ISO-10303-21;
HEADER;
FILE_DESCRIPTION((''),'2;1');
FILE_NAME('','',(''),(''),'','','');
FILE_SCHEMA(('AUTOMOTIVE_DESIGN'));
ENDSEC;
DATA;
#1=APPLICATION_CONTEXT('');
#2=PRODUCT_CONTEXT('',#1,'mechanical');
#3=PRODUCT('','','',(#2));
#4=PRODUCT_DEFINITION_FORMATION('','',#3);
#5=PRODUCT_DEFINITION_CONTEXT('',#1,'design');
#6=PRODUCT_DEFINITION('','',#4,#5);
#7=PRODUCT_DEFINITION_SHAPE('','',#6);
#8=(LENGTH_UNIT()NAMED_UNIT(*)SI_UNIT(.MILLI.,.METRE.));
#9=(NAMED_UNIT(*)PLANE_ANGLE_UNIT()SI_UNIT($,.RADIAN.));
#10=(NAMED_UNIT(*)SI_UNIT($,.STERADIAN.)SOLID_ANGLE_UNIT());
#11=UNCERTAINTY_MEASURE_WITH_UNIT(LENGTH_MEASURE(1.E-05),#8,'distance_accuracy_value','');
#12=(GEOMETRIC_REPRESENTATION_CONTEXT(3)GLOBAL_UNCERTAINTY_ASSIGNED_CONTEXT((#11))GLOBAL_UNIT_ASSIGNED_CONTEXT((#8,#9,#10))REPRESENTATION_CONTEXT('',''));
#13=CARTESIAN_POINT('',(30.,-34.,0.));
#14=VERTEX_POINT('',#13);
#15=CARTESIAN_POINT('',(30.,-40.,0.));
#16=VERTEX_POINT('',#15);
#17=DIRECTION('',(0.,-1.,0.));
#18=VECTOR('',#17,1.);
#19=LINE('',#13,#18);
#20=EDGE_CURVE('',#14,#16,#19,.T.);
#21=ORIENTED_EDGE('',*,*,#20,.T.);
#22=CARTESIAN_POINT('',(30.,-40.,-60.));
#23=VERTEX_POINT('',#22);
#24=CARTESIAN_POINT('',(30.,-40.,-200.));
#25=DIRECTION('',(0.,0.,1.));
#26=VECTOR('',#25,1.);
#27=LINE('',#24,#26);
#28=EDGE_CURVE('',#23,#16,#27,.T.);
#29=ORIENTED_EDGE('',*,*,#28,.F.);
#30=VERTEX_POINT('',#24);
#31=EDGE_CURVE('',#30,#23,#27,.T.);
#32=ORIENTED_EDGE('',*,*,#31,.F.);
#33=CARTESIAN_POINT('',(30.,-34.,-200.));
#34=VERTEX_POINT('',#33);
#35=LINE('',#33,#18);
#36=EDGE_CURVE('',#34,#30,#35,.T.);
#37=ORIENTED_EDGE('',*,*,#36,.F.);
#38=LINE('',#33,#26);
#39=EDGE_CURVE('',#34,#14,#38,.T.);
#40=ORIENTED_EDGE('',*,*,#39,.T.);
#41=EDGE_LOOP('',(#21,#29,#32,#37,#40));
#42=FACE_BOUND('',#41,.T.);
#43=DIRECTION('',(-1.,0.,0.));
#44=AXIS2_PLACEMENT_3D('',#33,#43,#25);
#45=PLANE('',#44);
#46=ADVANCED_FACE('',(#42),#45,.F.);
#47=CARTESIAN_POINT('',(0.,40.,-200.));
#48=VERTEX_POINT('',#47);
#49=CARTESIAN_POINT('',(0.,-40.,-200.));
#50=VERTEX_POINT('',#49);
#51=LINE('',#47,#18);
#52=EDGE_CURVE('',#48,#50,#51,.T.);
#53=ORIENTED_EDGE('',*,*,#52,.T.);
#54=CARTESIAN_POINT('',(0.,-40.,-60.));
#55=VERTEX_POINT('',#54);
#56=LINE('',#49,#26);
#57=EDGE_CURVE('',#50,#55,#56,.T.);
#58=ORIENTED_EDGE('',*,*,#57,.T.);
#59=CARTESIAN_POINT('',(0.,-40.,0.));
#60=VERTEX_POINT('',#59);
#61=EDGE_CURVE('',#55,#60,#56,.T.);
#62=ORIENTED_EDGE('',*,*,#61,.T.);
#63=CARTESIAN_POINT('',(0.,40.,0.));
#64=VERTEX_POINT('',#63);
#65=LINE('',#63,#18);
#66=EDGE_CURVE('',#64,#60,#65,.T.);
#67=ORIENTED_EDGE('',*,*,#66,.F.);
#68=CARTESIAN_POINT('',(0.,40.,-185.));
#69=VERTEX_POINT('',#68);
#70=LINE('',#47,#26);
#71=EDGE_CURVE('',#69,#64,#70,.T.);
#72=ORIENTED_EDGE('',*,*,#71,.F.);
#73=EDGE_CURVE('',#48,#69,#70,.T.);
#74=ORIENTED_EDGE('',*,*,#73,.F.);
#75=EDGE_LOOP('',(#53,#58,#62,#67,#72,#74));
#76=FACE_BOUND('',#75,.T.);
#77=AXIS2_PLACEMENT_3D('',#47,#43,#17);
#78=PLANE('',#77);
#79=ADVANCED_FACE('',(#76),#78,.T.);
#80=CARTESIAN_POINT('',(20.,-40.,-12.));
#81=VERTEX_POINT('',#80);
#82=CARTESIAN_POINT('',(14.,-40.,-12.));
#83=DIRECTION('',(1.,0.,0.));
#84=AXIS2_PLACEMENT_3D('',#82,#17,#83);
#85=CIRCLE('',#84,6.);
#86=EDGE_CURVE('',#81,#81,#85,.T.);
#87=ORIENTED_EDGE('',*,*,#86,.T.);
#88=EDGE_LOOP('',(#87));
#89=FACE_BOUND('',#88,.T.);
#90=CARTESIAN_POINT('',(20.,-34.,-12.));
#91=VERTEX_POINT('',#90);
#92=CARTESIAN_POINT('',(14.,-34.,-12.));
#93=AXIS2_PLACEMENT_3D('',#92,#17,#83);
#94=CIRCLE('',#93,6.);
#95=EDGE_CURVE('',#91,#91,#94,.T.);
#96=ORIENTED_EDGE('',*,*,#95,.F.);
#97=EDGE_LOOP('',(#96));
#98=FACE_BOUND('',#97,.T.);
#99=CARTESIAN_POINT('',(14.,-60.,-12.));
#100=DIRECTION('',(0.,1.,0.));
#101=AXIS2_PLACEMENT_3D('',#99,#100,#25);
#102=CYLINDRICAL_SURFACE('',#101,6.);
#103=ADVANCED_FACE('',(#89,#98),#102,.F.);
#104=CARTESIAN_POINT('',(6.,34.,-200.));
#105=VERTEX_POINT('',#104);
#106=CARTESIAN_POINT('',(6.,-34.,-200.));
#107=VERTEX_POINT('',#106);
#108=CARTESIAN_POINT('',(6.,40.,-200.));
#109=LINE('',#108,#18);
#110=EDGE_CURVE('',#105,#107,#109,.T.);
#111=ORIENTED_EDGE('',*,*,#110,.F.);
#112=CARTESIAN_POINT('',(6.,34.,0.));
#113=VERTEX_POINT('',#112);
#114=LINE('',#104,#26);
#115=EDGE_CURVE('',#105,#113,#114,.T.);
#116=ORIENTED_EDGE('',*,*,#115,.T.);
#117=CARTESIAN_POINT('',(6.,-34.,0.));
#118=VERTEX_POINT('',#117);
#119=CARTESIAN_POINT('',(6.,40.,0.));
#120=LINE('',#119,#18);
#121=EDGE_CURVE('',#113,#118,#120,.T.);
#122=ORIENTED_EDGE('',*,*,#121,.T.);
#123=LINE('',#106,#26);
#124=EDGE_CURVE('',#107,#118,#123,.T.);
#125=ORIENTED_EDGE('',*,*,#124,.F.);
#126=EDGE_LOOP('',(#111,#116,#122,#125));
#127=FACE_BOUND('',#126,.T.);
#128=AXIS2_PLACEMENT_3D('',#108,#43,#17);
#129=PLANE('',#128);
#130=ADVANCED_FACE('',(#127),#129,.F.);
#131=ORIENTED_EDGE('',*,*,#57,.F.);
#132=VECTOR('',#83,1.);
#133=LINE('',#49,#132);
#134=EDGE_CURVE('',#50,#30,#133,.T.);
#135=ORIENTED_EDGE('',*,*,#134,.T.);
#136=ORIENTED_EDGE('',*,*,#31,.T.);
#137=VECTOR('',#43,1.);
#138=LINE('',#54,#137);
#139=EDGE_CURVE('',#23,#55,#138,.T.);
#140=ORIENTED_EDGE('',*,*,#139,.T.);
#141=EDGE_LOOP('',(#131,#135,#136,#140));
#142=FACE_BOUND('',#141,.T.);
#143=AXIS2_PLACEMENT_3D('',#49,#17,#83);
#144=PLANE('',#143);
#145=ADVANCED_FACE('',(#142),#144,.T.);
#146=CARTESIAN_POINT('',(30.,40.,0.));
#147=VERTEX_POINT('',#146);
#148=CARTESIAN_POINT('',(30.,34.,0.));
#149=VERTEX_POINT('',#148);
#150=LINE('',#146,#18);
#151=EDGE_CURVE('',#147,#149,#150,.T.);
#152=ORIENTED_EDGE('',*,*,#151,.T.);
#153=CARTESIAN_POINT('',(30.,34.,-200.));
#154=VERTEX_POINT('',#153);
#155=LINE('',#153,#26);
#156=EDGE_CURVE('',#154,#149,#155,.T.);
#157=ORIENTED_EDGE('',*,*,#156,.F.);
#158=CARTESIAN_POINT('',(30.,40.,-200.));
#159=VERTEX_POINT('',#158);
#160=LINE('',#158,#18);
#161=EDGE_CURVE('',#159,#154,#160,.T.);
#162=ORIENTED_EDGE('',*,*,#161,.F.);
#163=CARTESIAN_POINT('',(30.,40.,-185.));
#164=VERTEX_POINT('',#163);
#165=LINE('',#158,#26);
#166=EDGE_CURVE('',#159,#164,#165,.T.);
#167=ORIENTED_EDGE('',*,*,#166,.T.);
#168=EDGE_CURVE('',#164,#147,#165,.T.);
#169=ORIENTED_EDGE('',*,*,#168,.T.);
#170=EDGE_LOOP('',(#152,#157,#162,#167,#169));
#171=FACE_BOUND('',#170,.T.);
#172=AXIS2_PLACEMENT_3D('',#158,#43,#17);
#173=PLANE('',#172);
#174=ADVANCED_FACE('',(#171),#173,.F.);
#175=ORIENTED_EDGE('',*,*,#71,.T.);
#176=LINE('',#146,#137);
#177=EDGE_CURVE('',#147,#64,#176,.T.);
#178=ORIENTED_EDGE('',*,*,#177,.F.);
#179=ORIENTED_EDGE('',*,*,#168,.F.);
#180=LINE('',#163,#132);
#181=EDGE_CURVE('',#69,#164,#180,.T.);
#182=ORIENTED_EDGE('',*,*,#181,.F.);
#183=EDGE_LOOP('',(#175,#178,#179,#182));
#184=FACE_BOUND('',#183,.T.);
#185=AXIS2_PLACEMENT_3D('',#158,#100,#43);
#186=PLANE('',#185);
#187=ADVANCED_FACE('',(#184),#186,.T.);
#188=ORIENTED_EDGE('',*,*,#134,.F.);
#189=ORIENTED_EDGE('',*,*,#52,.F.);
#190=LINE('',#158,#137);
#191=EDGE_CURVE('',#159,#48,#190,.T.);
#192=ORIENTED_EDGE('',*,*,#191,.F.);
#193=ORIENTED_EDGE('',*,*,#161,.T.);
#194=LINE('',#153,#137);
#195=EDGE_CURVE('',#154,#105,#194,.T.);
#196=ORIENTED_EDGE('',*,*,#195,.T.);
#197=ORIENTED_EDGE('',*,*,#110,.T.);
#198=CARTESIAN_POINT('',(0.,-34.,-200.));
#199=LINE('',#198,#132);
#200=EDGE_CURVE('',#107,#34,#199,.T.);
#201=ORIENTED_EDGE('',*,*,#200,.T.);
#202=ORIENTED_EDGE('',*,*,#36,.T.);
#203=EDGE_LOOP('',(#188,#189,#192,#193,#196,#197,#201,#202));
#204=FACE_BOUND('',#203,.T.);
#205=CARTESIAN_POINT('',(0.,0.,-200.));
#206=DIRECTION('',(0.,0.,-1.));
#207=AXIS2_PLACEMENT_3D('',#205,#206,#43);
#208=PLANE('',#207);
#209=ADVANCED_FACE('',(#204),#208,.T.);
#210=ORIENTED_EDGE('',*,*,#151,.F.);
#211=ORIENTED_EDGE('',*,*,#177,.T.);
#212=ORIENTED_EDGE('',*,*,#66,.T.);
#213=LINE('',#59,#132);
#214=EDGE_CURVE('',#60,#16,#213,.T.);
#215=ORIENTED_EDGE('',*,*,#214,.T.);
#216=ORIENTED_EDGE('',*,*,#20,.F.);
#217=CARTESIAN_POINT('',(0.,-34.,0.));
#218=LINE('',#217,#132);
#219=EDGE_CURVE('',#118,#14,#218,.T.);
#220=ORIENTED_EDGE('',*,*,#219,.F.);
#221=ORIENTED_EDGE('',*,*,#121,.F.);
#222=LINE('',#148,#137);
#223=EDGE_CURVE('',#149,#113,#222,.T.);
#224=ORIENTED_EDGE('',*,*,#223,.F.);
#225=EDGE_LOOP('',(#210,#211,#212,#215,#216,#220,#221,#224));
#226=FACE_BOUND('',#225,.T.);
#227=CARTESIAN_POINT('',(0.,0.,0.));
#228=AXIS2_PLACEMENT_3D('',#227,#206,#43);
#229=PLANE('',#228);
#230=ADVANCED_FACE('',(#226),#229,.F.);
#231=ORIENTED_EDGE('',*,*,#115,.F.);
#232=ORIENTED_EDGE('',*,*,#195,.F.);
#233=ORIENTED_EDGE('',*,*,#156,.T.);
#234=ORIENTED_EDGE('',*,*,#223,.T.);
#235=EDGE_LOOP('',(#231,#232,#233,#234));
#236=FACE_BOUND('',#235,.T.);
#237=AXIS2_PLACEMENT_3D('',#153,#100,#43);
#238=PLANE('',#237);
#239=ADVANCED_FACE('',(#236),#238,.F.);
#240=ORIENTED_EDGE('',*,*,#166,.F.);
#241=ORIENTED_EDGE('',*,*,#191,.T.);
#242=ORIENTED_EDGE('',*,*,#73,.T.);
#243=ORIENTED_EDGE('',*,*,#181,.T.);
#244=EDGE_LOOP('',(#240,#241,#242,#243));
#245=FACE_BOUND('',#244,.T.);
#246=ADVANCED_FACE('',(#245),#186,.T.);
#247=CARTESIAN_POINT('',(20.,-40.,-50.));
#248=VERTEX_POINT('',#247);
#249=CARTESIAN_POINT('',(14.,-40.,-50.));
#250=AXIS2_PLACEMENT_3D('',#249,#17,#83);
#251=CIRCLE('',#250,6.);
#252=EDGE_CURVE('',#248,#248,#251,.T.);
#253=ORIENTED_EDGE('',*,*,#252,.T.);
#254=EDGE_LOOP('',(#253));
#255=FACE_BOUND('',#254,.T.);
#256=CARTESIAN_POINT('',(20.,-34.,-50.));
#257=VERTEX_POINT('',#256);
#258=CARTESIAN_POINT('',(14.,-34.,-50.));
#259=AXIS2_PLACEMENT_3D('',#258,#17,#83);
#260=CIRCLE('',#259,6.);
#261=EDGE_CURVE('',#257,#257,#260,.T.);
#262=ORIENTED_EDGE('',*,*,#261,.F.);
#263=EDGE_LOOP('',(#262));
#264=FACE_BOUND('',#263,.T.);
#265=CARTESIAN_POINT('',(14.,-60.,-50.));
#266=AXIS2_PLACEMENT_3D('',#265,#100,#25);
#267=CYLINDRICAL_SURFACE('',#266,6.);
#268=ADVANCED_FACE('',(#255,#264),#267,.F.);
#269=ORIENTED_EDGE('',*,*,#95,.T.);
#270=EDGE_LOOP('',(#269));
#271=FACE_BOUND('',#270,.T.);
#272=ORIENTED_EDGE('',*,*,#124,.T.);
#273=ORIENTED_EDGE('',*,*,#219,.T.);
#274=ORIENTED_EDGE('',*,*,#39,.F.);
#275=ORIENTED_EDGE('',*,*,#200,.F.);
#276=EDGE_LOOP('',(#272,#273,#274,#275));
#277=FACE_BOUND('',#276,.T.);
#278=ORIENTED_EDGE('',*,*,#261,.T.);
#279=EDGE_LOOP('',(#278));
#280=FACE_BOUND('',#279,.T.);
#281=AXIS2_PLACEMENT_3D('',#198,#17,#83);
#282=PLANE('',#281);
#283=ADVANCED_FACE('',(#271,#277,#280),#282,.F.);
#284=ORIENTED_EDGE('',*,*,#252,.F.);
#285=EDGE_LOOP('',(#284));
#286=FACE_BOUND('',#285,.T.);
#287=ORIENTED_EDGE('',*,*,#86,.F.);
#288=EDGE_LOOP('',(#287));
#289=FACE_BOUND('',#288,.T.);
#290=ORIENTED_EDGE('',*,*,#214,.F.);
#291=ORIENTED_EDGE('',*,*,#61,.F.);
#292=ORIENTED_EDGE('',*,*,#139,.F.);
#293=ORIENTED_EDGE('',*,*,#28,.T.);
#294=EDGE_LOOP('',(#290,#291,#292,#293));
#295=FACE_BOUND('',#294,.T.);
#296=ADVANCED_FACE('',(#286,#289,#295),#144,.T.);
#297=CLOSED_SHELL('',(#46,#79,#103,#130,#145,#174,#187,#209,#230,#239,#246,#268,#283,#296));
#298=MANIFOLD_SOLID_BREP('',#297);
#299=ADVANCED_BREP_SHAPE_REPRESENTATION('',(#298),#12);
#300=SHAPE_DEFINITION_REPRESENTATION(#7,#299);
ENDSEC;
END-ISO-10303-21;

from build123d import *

# Parameters (mm, degrees)
LINEAR_AUSTRAGEN_D_NN1_DEPTH    = 200
SKIZZE2_R                       = 6
SCHNITT_LINEAR_AUSTRAGEN1_DEPTH = 60


with BuildPart() as part:
    # Skizze1 → Linear-Austragen-Dünn1 (new body)
    with BuildSketch(Plane.XY):
        Polygon((30, 40), (0, 40), (0, -40), (30, -40), (30, -34), (6, -34), (6, 34), (30, 34), align=None)
    extrude(amount=-LINEAR_AUSTRAGEN_D_NN1_DEPTH)

    # Skizze2 → Schnitt-Linear austragen1 (cut)
    with BuildSketch(Plane(origin=(0, 0, 0), x_dir=(1, 0, 0), z_dir=(0, 1, 0))):
        with Locations((14, 50)):
            Circle(SKIZZE2_R)
        with Locations((14, 12)):
            Circle(SKIZZE2_R)
    extrude(amount=-SCHNITT_LINEAR_AUSTRAGEN1_DEPTH, mode=Mode.SUBTRACT)


solid = part.part
